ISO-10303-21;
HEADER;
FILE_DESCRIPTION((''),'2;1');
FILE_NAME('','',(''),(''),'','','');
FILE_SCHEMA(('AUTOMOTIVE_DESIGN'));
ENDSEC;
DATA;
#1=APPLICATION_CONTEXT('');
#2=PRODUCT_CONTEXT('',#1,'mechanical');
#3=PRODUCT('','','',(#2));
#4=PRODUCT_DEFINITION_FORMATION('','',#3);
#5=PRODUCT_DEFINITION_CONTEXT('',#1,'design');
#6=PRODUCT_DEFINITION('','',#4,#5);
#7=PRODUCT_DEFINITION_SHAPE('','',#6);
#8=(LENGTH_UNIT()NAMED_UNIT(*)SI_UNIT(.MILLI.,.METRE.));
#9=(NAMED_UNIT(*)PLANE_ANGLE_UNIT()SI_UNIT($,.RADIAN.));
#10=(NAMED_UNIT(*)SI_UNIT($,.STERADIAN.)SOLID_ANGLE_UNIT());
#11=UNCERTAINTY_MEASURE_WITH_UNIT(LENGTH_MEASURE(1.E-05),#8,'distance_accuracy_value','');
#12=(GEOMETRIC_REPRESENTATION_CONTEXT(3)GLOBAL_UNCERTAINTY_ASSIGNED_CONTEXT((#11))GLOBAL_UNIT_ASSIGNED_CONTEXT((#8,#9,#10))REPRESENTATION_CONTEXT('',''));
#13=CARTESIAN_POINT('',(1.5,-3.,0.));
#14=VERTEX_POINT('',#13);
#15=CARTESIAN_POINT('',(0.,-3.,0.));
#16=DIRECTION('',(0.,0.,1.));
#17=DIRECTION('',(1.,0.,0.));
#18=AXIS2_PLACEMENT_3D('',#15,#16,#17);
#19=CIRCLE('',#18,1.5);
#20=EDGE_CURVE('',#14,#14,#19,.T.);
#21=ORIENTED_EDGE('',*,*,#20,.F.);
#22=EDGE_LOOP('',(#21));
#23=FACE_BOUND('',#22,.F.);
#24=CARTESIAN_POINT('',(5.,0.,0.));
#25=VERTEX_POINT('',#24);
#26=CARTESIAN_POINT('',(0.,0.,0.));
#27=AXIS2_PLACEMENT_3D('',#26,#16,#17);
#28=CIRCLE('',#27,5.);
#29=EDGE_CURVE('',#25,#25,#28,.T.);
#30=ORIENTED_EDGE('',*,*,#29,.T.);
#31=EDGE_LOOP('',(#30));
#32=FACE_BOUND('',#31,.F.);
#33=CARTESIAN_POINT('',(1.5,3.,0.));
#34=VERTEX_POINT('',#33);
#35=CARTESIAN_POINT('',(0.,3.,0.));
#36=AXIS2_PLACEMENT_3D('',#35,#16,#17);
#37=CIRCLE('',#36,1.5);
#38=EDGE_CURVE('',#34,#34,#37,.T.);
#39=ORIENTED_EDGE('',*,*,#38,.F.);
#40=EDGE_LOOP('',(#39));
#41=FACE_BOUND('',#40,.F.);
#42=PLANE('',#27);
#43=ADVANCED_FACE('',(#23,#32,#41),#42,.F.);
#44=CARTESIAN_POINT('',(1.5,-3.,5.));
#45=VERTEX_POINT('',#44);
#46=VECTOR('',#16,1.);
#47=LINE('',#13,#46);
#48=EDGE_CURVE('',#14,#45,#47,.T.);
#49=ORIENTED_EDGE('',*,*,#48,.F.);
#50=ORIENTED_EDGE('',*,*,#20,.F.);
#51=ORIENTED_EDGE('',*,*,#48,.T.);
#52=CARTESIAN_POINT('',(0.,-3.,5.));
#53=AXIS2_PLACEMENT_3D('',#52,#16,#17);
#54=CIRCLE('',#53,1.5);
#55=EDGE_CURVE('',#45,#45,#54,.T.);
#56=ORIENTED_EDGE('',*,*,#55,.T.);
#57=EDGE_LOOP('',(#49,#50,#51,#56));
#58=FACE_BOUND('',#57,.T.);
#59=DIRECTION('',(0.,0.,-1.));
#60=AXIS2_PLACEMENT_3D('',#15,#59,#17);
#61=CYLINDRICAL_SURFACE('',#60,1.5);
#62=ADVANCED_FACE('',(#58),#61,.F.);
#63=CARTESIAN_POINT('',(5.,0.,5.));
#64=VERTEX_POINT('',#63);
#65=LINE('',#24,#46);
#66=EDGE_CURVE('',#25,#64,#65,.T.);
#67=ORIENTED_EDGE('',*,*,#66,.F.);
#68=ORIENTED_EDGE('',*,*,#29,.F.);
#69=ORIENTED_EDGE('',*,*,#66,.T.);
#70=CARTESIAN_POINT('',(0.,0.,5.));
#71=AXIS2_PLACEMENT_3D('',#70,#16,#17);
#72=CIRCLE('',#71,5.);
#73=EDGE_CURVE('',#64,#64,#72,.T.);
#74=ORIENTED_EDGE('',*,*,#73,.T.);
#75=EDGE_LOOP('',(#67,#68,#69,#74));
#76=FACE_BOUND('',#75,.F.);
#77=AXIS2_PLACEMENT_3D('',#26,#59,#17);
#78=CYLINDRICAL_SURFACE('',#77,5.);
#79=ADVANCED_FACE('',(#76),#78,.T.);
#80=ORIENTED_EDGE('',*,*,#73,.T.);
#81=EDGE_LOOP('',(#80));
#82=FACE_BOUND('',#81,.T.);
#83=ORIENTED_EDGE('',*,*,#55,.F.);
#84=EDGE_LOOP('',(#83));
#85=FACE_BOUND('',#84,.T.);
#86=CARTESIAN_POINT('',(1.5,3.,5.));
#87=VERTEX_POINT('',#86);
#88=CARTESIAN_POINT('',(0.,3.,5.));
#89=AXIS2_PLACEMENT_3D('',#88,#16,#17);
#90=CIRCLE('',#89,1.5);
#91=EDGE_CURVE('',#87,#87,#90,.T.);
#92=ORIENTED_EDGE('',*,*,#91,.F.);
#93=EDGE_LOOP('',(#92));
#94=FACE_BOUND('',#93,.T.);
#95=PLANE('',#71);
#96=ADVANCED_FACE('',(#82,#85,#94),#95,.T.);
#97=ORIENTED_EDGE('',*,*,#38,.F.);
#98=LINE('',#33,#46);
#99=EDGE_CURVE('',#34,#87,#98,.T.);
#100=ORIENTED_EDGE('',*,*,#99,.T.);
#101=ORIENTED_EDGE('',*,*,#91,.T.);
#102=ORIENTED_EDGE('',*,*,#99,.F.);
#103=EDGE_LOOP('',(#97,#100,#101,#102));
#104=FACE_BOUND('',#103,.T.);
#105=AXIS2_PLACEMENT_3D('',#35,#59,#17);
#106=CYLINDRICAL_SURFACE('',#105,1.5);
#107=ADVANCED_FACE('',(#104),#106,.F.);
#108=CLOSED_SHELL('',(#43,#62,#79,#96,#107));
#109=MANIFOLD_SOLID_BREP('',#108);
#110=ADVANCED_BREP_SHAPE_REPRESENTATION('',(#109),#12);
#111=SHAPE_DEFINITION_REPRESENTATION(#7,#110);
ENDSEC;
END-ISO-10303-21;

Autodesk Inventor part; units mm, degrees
ref_plane "YZ Plane" through (0, 0, 0) normal (1, 0, 0) x (0, 1, 0)
ref_plane "XZ Plane" through (0, 0, 0) normal (0, 1, 0) x (-1, 0, 0)
ref_plane "XY Plane" through (0, 0, 0) normal (0, 0, 1) x (1, 0, 0)
sketch "スケッチ1" plane through (0, 0, 0) normal (0, 0, 1) x (1, 0, 0)
  circle A0 centre (0, 0) radius 5
  circle A1 centre (0, 3) radius 1.5
  circle A2 centre (0, -3) radius 1.5
  dimension "d0" = 10
  dimension "d1" = 3
  dimension "d6" = 3
  dimension "d11" = 360
extrude "押し出し1" add sketch "スケッチ1" along normal blind 5
properties part number "原動節-ギア接続部" material "アルミニウム 2014-T4"
